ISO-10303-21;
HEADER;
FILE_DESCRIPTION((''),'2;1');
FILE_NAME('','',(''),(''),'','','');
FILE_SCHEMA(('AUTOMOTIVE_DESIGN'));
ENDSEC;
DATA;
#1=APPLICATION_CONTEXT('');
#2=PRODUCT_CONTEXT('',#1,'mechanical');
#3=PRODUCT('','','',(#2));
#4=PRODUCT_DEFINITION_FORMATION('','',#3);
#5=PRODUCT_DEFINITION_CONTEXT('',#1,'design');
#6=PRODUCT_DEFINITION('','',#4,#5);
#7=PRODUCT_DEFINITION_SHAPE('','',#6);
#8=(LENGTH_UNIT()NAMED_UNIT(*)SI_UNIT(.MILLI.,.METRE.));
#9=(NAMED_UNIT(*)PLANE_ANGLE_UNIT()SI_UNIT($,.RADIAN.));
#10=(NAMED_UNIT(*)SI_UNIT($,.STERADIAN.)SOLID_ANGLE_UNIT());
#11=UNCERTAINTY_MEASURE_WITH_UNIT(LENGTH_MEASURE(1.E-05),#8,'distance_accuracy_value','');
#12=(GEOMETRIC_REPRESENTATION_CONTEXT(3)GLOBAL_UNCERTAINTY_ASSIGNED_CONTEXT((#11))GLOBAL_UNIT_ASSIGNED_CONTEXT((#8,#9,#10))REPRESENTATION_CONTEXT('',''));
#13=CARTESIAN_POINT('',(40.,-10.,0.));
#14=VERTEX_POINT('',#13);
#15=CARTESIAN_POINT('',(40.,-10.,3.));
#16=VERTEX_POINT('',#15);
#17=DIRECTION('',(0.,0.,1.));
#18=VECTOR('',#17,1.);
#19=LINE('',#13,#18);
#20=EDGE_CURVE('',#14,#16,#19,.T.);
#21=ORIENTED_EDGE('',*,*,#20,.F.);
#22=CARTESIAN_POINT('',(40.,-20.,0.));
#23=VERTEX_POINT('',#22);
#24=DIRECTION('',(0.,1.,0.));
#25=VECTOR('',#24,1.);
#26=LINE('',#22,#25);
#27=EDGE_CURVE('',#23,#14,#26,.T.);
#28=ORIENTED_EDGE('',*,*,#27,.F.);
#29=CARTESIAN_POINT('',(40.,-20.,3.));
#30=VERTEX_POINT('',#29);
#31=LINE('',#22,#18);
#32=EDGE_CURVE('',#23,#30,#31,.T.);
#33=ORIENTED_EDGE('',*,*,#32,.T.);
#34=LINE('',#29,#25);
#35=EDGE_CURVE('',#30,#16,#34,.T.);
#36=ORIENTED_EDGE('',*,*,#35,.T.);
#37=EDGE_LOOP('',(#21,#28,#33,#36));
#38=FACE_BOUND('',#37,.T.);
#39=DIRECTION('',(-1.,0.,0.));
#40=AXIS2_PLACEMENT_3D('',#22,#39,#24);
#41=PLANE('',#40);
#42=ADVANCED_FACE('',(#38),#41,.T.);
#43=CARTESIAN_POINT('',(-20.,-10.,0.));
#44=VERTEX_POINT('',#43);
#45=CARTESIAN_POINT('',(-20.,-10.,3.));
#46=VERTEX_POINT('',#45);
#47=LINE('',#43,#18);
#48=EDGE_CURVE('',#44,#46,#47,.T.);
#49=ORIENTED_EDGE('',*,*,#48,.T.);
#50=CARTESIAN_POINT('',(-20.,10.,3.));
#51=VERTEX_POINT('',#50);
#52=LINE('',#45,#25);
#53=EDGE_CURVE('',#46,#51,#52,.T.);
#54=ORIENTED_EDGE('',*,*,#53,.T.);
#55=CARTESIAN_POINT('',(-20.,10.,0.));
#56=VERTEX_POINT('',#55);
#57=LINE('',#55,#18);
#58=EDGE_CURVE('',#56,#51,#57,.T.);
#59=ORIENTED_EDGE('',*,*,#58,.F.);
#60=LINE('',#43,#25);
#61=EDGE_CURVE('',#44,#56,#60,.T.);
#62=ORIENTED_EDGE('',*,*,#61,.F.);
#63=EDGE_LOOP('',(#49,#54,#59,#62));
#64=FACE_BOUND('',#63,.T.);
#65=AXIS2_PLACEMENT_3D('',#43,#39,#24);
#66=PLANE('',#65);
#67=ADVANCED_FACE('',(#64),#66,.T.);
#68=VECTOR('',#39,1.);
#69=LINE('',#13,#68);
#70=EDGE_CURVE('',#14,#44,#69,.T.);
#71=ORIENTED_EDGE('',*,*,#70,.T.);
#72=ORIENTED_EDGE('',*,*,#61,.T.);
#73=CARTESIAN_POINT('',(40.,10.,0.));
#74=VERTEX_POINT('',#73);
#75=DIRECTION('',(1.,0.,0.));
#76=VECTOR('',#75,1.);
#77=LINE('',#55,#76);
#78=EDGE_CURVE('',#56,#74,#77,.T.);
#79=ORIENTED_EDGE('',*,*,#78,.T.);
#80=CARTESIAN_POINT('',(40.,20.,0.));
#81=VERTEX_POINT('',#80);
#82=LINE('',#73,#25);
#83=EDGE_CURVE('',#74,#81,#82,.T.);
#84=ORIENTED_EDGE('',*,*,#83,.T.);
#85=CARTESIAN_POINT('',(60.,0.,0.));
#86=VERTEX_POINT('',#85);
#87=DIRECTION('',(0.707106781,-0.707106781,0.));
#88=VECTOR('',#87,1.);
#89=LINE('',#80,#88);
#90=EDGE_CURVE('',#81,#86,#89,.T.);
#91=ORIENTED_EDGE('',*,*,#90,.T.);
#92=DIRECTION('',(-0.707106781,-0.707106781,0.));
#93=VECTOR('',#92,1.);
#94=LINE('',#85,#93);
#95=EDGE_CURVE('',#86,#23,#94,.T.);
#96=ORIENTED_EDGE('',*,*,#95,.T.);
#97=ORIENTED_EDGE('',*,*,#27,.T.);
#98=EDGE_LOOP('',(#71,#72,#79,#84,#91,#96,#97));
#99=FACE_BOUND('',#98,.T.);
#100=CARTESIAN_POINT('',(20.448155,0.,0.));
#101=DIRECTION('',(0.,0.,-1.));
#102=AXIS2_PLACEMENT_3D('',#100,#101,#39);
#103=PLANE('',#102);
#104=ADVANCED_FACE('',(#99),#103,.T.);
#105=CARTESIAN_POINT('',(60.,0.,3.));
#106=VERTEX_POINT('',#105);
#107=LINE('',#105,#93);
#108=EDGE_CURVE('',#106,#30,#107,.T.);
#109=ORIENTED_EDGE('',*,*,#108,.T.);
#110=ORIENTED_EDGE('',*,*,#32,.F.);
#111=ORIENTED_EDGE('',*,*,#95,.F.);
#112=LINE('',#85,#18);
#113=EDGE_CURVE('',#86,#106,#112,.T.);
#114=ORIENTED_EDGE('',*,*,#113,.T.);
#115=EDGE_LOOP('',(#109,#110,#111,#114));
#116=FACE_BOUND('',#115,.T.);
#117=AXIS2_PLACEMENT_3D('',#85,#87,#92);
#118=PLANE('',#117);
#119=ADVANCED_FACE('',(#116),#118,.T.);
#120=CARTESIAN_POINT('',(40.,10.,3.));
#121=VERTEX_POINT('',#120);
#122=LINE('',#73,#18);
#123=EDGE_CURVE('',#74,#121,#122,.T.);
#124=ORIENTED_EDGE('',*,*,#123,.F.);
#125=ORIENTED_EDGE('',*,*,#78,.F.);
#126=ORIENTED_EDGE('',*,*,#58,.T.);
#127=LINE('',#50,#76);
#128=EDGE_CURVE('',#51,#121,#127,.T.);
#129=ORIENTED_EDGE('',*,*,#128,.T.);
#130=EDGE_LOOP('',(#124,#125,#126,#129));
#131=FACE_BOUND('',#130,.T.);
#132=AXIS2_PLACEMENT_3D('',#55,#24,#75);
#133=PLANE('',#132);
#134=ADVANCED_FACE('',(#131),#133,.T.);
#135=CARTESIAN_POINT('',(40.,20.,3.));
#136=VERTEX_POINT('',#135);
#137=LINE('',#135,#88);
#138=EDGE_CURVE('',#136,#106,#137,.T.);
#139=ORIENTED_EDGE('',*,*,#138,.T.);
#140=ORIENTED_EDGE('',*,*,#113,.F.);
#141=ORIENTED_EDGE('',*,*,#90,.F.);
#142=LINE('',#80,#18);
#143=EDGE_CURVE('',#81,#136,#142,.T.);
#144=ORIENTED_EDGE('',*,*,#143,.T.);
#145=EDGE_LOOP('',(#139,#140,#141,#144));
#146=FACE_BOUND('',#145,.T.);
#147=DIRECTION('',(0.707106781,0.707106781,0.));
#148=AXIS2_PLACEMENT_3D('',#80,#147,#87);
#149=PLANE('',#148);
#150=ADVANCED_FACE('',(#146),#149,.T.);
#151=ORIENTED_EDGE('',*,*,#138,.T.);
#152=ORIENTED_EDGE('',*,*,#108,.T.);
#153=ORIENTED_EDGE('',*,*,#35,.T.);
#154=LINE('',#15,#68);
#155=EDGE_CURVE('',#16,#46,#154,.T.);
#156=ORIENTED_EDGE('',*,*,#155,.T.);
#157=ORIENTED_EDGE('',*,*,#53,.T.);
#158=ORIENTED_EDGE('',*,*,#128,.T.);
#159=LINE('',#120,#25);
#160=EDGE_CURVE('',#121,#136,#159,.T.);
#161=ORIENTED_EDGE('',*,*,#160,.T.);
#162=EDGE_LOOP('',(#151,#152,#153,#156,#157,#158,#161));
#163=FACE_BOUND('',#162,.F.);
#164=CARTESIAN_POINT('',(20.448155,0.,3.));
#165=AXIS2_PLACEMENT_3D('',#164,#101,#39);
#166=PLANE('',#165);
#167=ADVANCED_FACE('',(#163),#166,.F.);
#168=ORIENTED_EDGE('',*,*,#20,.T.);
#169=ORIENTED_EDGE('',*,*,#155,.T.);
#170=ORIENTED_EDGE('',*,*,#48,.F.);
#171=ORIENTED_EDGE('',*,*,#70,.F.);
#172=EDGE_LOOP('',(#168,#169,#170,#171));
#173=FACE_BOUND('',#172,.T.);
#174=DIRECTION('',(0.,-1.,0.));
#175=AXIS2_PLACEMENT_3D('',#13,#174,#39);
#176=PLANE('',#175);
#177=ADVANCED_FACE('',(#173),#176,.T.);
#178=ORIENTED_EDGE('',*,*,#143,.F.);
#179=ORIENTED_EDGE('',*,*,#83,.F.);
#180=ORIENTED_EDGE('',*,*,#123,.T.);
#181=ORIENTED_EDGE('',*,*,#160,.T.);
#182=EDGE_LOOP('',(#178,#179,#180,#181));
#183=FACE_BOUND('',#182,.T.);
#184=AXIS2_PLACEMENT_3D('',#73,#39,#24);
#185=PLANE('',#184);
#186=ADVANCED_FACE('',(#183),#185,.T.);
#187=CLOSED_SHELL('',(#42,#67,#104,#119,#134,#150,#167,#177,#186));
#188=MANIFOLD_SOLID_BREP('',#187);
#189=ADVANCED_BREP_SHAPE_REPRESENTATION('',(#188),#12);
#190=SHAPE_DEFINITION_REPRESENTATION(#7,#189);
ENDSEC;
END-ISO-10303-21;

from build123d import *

# Parameters (mm, degrees)
PAD_DEPTH = 3


with BuildPart() as part:
    # Sketch → Pad (new body)
    with BuildSketch(Plane.XY):
        Polygon((-20, 10), (40, 10), (40, 20), (60, 0), (40, -20), (40, -10), (-20, -10), align=None)
    extrude(amount=PAD_DEPTH)


solid = part.part
